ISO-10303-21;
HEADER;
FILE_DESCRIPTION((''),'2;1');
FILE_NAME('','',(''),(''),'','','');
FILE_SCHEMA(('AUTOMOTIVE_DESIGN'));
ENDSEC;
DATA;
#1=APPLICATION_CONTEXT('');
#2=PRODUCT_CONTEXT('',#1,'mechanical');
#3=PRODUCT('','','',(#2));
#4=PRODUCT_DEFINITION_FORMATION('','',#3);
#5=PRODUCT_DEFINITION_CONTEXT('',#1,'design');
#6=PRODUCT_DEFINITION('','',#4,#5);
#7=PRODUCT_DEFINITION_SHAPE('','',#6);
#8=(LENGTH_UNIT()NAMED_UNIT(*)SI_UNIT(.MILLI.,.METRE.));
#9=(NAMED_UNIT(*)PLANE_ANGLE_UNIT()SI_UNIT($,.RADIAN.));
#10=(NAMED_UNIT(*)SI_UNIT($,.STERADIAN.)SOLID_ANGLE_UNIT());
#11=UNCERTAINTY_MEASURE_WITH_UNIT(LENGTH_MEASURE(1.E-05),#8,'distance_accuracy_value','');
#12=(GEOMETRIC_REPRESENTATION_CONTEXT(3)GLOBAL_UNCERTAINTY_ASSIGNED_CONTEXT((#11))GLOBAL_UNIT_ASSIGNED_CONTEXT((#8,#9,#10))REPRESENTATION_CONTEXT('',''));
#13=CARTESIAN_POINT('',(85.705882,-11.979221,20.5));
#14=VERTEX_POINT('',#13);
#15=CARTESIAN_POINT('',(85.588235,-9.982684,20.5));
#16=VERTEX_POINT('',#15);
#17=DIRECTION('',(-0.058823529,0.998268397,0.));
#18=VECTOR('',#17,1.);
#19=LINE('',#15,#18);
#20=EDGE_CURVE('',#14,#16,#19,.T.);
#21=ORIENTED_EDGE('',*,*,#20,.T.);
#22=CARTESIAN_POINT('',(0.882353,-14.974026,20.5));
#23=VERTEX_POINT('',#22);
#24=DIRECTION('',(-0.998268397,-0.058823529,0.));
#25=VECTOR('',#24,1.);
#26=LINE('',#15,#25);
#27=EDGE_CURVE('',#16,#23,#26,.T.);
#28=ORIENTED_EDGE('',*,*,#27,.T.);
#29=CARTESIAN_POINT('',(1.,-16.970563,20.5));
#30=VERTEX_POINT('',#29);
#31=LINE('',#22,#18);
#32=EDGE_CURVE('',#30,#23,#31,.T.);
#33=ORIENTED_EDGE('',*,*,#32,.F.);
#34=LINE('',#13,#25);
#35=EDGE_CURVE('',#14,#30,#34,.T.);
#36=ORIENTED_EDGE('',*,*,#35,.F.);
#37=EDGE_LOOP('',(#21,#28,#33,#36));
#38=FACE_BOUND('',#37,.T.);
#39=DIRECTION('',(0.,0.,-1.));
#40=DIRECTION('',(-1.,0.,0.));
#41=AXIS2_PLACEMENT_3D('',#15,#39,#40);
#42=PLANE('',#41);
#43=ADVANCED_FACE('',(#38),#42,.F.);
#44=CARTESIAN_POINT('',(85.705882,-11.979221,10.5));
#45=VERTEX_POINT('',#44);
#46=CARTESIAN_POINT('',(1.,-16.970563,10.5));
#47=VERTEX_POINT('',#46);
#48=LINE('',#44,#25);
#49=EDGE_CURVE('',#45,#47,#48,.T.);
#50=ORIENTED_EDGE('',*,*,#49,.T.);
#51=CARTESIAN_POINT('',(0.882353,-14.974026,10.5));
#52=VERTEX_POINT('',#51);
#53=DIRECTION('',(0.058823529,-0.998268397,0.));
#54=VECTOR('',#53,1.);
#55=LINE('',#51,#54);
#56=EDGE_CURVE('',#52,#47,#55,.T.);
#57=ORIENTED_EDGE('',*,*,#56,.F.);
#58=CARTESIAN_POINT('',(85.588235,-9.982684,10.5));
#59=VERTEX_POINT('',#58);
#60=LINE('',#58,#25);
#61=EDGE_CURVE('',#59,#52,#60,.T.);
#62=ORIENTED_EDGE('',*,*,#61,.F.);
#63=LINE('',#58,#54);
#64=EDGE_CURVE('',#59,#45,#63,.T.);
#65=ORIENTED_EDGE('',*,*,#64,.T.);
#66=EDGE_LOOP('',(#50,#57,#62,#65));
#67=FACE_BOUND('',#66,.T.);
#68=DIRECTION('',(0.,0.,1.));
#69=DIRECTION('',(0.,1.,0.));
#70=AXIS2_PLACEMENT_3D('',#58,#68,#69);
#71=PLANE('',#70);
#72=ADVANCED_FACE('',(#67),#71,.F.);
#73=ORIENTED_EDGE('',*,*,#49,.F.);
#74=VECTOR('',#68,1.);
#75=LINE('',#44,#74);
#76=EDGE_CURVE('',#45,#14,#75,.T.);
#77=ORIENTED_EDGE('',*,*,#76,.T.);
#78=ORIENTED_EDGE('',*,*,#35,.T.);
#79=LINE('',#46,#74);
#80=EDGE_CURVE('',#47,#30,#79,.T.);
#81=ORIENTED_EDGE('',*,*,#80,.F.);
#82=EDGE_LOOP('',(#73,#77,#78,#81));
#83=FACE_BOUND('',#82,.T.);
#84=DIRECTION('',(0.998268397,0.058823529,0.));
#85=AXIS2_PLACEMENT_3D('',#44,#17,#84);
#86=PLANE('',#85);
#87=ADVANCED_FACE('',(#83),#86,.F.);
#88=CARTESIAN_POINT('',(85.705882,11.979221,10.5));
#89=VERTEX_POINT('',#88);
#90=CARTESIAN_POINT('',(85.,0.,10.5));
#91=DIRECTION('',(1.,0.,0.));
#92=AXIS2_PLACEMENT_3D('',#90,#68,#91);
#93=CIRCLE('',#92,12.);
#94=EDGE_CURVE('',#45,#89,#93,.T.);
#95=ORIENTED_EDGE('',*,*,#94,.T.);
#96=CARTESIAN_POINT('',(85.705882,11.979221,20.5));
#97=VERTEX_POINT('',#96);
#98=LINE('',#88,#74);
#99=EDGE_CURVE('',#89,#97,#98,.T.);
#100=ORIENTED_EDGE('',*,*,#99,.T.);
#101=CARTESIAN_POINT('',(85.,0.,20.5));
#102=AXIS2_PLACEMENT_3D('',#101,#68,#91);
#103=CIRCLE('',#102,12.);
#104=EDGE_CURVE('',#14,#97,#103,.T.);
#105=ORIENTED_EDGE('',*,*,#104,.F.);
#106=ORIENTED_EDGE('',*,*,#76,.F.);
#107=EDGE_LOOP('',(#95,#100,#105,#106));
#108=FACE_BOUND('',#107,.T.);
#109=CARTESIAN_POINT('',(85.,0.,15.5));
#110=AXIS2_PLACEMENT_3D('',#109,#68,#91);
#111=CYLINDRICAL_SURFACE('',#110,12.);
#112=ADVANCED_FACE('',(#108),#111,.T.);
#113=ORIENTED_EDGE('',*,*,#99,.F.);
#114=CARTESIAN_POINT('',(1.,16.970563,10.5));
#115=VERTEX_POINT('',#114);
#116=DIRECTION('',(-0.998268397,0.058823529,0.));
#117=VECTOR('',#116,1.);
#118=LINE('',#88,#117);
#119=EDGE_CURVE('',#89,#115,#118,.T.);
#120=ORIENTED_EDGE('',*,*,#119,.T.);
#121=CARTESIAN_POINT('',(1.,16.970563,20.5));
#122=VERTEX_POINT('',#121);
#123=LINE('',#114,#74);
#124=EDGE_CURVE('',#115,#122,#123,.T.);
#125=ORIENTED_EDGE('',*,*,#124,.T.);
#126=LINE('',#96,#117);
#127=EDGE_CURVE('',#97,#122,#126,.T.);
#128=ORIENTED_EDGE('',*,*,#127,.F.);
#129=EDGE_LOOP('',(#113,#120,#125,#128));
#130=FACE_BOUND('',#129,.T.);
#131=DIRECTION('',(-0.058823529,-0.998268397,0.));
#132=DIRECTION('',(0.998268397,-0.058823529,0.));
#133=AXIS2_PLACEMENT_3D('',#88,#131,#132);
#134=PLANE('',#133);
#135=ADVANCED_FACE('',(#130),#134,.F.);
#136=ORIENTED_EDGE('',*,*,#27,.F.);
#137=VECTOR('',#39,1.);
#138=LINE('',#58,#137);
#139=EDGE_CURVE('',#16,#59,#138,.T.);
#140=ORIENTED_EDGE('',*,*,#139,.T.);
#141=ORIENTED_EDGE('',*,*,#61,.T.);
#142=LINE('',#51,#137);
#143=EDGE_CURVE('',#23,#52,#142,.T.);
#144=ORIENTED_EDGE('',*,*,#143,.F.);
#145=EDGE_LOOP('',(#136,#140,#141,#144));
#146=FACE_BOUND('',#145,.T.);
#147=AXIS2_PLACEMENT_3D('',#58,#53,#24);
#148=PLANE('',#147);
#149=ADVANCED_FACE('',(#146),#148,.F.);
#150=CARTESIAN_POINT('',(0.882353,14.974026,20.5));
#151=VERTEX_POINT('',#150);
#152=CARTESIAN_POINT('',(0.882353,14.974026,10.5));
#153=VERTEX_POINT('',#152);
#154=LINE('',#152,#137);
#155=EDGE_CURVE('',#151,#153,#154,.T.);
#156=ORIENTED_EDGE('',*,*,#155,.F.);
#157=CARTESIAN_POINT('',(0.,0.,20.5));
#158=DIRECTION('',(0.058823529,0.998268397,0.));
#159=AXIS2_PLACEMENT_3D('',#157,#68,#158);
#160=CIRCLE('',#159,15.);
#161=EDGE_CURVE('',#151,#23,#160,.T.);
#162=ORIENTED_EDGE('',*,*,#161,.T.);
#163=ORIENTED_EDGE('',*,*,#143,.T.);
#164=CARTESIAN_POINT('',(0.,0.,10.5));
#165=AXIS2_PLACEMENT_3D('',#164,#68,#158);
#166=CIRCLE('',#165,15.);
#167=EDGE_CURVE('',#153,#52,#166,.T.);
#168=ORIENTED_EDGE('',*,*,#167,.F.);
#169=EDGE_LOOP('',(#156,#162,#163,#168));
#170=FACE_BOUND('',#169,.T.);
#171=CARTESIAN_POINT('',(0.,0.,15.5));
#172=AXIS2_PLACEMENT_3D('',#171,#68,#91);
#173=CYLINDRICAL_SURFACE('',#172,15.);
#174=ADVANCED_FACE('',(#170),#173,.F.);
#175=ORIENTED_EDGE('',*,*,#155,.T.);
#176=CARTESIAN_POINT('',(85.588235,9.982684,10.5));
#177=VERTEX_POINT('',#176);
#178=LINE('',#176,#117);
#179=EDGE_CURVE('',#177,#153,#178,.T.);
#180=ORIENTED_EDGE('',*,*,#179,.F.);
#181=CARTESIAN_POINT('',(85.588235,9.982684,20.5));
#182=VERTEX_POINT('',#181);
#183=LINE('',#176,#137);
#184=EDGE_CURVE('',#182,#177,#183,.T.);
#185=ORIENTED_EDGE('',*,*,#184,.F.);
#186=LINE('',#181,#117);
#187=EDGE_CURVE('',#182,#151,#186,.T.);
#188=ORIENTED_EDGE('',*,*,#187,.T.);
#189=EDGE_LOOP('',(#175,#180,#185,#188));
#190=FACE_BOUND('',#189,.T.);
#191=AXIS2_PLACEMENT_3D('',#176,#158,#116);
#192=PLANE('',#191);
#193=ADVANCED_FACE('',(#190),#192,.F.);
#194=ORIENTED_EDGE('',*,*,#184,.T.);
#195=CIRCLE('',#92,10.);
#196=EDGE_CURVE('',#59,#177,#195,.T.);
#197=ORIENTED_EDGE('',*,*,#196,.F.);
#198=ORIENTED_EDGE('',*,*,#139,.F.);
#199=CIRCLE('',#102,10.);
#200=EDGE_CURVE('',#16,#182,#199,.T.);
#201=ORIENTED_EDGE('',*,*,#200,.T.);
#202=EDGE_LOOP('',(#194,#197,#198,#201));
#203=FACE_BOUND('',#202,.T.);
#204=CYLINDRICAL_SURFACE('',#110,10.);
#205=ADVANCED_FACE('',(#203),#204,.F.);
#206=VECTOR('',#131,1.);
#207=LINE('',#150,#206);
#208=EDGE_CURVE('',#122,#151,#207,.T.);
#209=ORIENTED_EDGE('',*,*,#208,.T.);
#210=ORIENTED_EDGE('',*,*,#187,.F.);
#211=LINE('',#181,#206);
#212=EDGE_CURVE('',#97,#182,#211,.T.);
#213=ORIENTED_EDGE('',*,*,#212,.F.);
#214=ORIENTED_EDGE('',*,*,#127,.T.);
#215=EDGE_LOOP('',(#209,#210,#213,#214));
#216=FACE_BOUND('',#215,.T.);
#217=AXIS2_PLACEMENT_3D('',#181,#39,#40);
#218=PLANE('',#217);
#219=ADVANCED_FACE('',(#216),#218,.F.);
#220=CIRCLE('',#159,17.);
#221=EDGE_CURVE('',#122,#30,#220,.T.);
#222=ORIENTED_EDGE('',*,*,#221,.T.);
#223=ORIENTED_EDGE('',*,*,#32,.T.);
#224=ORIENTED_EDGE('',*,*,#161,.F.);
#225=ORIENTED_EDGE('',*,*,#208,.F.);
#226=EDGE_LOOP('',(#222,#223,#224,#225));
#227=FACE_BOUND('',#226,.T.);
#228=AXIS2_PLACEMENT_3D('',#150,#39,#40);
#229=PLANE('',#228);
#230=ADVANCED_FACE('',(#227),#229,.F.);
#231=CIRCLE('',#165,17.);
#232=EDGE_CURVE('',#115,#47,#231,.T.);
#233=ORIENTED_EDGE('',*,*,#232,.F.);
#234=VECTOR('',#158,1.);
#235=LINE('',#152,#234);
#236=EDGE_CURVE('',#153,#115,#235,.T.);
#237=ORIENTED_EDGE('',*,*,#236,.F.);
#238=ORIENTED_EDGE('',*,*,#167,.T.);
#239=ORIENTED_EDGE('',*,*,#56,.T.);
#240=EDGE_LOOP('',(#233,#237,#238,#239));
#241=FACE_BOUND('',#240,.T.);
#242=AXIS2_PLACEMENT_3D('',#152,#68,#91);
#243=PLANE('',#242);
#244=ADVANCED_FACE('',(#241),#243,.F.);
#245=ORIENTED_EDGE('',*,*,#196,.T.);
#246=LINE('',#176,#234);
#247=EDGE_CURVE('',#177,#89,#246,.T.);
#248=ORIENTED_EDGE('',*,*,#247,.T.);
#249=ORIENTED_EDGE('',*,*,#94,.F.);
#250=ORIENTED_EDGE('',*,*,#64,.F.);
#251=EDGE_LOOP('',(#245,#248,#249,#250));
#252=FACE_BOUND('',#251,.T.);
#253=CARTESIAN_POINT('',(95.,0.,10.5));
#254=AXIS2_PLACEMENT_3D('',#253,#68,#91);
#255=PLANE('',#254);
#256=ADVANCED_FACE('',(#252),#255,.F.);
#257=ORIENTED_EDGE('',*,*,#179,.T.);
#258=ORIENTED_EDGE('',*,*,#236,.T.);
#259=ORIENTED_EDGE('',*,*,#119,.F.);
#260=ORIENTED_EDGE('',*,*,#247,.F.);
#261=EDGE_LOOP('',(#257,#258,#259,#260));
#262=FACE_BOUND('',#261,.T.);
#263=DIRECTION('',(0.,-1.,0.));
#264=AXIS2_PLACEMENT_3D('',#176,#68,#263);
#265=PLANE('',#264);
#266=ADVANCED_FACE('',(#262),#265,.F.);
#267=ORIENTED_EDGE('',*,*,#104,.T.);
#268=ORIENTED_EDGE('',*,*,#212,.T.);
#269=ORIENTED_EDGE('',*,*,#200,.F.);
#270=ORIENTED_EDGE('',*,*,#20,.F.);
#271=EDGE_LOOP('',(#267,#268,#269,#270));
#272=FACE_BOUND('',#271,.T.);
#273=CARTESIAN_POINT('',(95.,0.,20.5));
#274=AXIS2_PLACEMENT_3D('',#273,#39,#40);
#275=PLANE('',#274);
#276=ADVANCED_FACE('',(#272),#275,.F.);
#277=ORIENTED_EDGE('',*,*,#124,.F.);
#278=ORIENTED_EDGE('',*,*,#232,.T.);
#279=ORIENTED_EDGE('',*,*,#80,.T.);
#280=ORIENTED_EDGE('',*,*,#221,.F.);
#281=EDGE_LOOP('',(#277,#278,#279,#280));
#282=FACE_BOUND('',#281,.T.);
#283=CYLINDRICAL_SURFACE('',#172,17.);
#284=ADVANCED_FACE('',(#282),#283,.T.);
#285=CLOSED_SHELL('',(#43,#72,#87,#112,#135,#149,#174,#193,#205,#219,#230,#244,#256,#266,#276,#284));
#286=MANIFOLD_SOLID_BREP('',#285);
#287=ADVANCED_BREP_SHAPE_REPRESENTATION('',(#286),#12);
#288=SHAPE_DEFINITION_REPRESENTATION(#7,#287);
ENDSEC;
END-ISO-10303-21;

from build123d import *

# Parameters (mm, degrees)
SKIZZE2_W = 2
SKIZZE2_H = 10


with BuildPart() as part:
    # Austragung1: sweep along a path in Skizze3
    with BuildLine(Plane.XY.offset(15.5)) as austragung1_path:
        ThreePointArc((-15, 0), (-10.289915109, 10.914103127), (0.882352941, 14.974025955))
        Line((0.882352941, 14.974025955), (85.588235294, 9.98268397))
        ThreePointArc((85.588235294, 9.98268397), (92.276068751, 6.859943406), (95, 0))
    # Skizze2 → Austragung1 (sweep)
    with BuildSketch(Plane(origin=(0, 0, 0), x_dir=(1, 0, 0), z_dir=(0, 1, 0))):
        with Locations((-16, -15.5)):
            Rectangle(SKIZZE2_W, SKIZZE2_H)
    sweep(path=austragung1_path.line)

    # Spiegeln1: part across plane


with BuildPart() as part_1:
    add(part.part)
    add(part.part.mirror(Plane(origin=(0, 0, 0), x_dir=(0, 0, 1), z_dir=(0, -1, 0))))


solid = part_1.part
